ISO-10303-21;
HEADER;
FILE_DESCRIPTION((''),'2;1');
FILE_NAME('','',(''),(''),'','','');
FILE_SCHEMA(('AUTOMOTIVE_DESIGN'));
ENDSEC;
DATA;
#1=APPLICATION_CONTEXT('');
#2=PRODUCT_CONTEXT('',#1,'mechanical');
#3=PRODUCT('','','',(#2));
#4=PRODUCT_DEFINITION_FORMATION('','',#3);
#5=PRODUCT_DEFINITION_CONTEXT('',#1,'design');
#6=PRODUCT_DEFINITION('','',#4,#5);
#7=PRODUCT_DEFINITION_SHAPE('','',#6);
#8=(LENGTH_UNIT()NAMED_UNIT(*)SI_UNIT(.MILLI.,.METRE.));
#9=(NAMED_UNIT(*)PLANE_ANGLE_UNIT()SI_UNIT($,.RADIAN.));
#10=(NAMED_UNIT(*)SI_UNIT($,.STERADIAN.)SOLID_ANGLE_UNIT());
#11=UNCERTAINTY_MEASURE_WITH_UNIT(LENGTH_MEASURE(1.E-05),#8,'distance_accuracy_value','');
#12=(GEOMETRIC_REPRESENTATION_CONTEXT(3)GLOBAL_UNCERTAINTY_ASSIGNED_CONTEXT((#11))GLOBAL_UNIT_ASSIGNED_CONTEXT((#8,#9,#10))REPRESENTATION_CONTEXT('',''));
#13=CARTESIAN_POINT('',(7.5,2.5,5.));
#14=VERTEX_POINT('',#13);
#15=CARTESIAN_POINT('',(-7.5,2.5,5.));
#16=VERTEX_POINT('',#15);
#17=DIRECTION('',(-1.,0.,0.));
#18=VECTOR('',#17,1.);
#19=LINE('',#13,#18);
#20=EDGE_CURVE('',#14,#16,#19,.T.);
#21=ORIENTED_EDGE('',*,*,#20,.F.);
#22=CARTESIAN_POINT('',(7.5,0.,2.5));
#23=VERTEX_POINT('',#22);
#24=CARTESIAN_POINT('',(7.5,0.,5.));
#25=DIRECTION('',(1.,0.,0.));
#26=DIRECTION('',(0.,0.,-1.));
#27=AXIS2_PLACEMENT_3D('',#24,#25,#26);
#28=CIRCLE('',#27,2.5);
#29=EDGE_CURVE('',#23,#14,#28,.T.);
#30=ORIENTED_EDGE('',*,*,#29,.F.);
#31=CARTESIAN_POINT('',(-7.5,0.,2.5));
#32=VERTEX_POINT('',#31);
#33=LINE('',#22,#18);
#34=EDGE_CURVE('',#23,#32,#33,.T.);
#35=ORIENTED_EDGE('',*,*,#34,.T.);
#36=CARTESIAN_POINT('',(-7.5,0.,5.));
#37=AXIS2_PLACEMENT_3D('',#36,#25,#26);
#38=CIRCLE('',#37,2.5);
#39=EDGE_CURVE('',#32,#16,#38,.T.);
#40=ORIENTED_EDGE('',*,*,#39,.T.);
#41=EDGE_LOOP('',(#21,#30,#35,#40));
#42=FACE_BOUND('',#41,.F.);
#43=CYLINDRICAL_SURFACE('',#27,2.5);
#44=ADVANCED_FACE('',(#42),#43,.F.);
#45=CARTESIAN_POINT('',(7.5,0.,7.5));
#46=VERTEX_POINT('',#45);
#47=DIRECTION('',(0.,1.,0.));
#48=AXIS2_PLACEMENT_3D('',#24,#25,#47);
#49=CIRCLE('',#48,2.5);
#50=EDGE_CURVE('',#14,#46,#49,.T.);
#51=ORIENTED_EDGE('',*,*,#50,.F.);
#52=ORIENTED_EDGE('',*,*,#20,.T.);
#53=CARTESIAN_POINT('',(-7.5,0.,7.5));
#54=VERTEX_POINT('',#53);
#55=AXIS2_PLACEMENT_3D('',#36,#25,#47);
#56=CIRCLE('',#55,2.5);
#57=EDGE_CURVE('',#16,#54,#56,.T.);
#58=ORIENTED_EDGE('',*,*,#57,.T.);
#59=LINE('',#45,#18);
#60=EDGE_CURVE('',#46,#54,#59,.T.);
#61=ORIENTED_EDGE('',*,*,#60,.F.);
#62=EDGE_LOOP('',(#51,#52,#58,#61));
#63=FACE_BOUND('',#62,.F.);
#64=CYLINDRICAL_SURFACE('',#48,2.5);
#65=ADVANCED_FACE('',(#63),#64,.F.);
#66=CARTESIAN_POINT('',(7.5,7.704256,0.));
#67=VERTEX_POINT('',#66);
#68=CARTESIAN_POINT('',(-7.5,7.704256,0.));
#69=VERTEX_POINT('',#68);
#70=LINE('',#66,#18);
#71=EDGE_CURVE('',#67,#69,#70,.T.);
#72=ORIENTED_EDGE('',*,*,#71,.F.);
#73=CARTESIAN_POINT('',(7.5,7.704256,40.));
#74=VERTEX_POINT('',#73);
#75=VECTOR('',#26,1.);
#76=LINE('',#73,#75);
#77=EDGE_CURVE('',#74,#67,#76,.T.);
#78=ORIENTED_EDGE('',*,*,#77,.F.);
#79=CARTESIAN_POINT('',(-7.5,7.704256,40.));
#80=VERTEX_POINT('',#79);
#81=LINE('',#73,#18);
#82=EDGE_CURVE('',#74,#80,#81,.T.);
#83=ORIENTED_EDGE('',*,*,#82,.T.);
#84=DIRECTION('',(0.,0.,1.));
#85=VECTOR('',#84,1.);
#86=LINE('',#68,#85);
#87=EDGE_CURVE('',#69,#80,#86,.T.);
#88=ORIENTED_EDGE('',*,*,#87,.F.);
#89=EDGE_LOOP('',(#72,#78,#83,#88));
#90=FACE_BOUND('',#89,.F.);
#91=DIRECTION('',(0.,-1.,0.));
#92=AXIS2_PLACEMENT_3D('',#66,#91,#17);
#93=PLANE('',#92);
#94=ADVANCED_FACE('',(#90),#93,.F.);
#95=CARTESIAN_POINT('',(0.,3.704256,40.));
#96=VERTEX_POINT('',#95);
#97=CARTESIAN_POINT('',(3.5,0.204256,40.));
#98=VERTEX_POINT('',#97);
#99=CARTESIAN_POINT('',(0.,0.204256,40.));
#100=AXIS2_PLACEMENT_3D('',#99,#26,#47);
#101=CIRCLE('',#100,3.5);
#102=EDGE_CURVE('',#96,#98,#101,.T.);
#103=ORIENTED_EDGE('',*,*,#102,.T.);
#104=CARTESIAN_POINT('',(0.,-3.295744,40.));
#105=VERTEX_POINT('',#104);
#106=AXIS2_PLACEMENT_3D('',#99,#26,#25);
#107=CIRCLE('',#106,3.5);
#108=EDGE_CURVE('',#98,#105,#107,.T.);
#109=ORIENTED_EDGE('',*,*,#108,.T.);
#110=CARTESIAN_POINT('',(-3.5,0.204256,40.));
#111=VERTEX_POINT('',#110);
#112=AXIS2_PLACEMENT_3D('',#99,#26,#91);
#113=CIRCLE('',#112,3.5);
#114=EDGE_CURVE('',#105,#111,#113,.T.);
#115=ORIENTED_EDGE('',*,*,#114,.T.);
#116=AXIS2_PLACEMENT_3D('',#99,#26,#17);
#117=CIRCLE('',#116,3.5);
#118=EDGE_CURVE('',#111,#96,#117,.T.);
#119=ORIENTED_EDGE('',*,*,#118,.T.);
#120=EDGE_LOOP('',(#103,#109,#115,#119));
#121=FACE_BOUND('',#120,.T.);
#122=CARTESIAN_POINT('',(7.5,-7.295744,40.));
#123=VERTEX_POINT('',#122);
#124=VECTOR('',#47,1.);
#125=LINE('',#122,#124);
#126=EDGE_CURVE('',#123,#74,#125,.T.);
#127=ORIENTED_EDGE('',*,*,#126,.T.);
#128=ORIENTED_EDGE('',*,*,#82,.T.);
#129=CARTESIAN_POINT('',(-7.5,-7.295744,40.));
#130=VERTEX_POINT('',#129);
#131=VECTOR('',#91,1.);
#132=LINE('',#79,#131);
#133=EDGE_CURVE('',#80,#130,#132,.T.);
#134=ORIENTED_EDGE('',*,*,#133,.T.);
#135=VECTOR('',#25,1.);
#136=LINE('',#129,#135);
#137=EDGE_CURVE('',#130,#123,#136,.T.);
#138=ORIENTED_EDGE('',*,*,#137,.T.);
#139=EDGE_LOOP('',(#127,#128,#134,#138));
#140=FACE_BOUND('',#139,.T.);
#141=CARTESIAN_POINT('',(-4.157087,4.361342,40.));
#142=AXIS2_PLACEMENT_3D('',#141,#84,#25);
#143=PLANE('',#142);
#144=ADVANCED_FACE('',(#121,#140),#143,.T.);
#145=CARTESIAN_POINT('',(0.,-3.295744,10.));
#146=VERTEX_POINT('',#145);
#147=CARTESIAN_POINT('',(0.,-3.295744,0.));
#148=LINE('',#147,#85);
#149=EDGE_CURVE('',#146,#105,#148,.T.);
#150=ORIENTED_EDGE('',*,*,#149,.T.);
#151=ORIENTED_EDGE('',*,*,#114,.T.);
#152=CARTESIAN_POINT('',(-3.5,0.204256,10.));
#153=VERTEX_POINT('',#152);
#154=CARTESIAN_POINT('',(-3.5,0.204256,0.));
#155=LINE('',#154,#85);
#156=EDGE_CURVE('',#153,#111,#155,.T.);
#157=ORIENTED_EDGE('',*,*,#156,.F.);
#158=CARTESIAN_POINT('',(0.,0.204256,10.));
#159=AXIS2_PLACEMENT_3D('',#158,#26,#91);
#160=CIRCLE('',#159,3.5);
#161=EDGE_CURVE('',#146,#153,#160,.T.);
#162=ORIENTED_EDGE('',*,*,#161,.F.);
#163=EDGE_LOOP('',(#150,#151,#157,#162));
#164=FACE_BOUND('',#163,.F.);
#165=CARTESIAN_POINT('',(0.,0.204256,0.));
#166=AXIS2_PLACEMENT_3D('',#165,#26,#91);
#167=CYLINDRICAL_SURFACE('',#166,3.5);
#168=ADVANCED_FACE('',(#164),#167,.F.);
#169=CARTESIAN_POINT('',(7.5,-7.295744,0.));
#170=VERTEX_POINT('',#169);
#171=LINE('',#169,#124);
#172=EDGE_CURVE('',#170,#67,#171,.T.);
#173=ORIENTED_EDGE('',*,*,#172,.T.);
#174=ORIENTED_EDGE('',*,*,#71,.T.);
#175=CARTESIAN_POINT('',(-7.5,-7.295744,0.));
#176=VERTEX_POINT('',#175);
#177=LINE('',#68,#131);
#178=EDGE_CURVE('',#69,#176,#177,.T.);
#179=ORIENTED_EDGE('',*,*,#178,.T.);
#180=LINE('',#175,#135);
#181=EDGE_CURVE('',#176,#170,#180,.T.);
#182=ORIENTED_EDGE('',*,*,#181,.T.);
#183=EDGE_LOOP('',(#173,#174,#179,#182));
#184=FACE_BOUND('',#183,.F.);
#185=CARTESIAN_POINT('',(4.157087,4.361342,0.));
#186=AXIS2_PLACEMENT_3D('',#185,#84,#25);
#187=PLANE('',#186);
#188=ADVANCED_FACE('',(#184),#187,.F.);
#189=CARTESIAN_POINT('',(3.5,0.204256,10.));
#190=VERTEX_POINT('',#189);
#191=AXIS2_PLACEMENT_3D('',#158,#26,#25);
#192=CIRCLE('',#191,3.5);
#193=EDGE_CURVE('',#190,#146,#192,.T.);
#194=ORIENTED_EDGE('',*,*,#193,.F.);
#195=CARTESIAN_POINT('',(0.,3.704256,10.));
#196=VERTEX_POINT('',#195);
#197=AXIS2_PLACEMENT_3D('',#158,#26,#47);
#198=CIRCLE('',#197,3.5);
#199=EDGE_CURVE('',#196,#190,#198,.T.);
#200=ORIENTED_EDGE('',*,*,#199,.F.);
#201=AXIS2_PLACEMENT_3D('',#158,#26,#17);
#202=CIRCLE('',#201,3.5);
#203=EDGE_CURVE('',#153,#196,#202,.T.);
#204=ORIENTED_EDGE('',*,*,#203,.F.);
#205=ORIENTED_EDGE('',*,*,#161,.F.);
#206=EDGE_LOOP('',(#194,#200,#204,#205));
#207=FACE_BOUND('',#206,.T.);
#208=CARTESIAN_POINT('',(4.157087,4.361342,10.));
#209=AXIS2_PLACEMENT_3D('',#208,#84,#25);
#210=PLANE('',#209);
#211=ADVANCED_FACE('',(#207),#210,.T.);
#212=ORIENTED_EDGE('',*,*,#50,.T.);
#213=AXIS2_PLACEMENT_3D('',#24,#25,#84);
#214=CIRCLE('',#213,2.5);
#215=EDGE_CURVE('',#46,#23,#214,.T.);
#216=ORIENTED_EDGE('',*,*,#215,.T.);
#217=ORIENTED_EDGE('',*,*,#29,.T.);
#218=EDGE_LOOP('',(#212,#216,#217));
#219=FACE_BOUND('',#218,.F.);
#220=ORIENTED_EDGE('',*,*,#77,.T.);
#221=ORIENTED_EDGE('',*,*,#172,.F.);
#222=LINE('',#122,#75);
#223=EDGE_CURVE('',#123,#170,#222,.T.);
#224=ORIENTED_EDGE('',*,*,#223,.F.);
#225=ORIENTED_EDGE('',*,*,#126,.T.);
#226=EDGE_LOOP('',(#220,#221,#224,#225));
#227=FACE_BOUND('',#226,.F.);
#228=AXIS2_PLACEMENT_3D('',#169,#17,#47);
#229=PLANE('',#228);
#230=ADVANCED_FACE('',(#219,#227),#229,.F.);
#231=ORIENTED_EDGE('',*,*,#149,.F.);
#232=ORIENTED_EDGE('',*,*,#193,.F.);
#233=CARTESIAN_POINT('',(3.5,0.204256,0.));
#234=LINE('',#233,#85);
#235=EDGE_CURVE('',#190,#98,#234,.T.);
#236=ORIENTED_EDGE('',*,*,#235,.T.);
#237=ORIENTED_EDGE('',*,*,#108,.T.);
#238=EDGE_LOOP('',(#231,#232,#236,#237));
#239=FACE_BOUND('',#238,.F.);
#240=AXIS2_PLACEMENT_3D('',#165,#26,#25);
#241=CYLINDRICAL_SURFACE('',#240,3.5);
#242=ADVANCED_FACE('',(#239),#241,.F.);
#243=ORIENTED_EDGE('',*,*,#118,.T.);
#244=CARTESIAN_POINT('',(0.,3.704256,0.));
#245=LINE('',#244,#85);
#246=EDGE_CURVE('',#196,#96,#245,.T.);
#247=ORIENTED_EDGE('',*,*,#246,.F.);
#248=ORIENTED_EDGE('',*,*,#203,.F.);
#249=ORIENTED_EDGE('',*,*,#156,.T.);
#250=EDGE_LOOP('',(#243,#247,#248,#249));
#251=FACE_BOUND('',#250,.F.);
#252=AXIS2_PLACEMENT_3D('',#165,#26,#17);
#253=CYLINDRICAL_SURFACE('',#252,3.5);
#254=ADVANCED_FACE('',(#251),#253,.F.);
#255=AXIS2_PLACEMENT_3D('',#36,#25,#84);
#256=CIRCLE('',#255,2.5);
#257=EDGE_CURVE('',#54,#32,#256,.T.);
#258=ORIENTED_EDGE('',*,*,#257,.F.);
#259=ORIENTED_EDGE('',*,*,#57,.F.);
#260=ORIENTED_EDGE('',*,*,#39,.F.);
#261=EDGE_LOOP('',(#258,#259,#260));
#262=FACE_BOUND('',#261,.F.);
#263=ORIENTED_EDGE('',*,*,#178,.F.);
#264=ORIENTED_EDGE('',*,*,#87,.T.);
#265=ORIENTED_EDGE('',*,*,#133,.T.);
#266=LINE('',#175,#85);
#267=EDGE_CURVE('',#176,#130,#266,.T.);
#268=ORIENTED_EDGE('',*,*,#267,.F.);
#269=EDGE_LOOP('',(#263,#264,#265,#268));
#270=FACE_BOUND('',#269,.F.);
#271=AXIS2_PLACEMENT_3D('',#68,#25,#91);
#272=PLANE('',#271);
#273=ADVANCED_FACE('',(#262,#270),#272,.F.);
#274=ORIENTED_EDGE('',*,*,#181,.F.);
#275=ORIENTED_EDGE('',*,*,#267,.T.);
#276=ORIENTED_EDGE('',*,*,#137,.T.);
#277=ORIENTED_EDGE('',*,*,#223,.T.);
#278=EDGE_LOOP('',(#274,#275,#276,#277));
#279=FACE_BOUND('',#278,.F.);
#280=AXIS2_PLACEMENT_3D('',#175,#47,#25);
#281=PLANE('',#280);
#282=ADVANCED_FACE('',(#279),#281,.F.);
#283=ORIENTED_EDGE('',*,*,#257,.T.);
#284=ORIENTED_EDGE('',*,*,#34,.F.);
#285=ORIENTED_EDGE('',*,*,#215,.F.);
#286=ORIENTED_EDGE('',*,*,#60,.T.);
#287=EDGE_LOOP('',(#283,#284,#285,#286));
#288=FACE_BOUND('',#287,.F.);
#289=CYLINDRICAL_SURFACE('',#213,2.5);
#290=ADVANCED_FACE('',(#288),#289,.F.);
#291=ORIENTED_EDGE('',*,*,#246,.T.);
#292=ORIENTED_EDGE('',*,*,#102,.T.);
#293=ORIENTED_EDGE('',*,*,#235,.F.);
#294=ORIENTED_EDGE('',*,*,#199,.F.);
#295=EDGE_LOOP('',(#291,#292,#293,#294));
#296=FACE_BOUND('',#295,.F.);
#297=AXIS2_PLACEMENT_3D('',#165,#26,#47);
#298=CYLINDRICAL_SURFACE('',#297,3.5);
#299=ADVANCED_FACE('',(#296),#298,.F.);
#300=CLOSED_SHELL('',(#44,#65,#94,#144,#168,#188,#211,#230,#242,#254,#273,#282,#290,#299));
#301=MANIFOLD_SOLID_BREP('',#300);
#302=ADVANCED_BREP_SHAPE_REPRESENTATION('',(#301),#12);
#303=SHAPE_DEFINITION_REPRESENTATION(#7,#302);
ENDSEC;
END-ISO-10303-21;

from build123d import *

# Parameters (mm, degrees)
F1_DEPTH = 10
F2_DEPTH = 40
F4_DEPTH = 15


with BuildPart() as f1:
    # F0 (on Top) → F1 (new body)
    with BuildSketch(Plane.XY):
        with BuildLine():
            Line((7.5, 7.7042555064), (0, 7.7042555064))
            Line((0, 7.7042555064), (0, 3.7042555064))
            ThreePointArc((0, 3.7042555064), (2.4748737342, 2.6791292405), (3.5, 0.2042555064))
            Line((3.5, 0.2042555064), (7.5, 0.2042555064))
            Line((7.5, 0.2042555064), (7.5, 7.7042555064))
        make_face()
        with BuildLine():
            Line((0, 7.7042555064), (-7.5, 7.7042555064))
            Line((-7.5, 7.7042555064), (-7.5, 0.2042555064))
            Line((-7.5, 0.2042555064), (-3.5, 0.2042555064))
            ThreePointArc((-3.5, 0.2042555064), (-2.4748737342, 2.6791292405), (0, 3.7042555064))
            Line((0, 3.7042555064), (0, 7.7042555064))
        make_face()
        with BuildLine():
            Line((-3.5, 0.2042555064), (-7.5, 0.2042555064))
            Line((-7.5, 0.2042555064), (-7.5, -7.2957444936))
            Line((-7.5, -7.2957444936), (0, -7.2957444936))
            Line((0, -7.2957444936), (0, -3.2957444936))
            ThreePointArc((0, -3.2957444936), (-2.4748737342, -2.2706182278), (-3.5, 0.2042555064))
        make_face()
        with BuildLine():
            Line((7.5, -7.2957444936), (7.5, 0.2042555064))
            Line((7.5, 0.2042555064), (3.5, 0.2042555064))
            ThreePointArc((3.5, 0.2042555064), (2.4748737342, -2.2706182278), (0, -3.2957444936))
            Line((0, -3.2957444936), (0, -7.2957444936))
            Line((0, -7.2957444936), (7.5, -7.2957444936))
        make_face()
        with BuildLine():
            Line((0, 0.2042555064), (0, 3.7042555064))
            ThreePointArc((0, 3.7042555064), (-2.4748737342, 2.6791292405), (-3.5, 0.2042555064))
            Line((-3.5, 0.2042555064), (0, 0.2042555064))
        make_face()
        with BuildLine():
            ThreePointArc((3.5, 0.2042555064), (2.4748737342, 2.6791292405), (0, 3.7042555064))
            Line((0, 3.7042555064), (0, 0.2042555064))
            Line((0, 0.2042555064), (3.5, 0.2042555064))
        make_face()
        with BuildLine():
            Line((3.5, 0.2042555064), (0, 0.2042555064))
            Line((0, 0.2042555064), (0, -3.2957444936))
            ThreePointArc((0, -3.2957444936), (2.4748737342, -2.2706182278), (3.5, 0.2042555064))
        make_face()
        with BuildLine():
            Line((0, 0.2042555064), (-3.5, 0.2042555064))
            ThreePointArc((-3.5, 0.2042555064), (-2.4748737342, -2.2706182278), (0, -3.2957444936))
            Line((0, -3.2957444936), (0, 0.2042555064))
        make_face()
    extrude(amount=F1_DEPTH)

    # F0 (on Top) → F2 (join)
    with BuildSketch(Plane.XY):
        with BuildLine():
            Line((0, 7.7042555064), (-7.5, 7.7042555064))
            Line((-7.5, 7.7042555064), (-7.5, 0.2042555064))
            Line((-7.5, 0.2042555064), (-3.5, 0.2042555064))
            ThreePointArc((-3.5, 0.2042555064), (-2.4748737342, 2.6791292405), (0, 3.7042555064))
            Line((0, 3.7042555064), (0, 7.7042555064))
        make_face()
        with BuildLine():
            Line((7.5, 7.7042555064), (0, 7.7042555064))
            Line((0, 7.7042555064), (0, 3.7042555064))
            ThreePointArc((0, 3.7042555064), (2.4748737342, 2.6791292405), (3.5, 0.2042555064))
            Line((3.5, 0.2042555064), (7.5, 0.2042555064))
            Line((7.5, 0.2042555064), (7.5, 7.7042555064))
        make_face()
        with BuildLine():
            Line((-3.5, 0.2042555064), (-7.5, 0.2042555064))
            Line((-7.5, 0.2042555064), (-7.5, -7.2957444936))
            Line((-7.5, -7.2957444936), (0, -7.2957444936))
            Line((0, -7.2957444936), (0, -3.2957444936))
            ThreePointArc((0, -3.2957444936), (-2.4748737342, -2.2706182278), (-3.5, 0.2042555064))
        make_face()
        with BuildLine():
            Line((7.5, -7.2957444936), (7.5, 0.2042555064))
            Line((7.5, 0.2042555064), (3.5, 0.2042555064))
            ThreePointArc((3.5, 0.2042555064), (2.4748737342, -2.2706182278), (0, -3.2957444936))
            Line((0, -3.2957444936), (0, -7.2957444936))
            Line((0, -7.2957444936), (7.5, -7.2957444936))
        make_face()
    extrude(amount=F2_DEPTH)

    # F3 (on face) → F4 (cut)
    with BuildSketch(Plane.YZ.offset(7.5)):
        with BuildLine():
            ThreePointArc((0, 7.5), (-2.5, 5), (0, 2.5))
            Line((0, 2.5), (0, 5))
            Line((0, 5), (0, 7.5))
        make_face()
        with BuildLine():
            Line((0, 5), (0, 2.5))
            ThreePointArc((0, 2.5), (1.767766953, 3.232233047), (2.5, 5))
            ThreePointArc((2.5, 5), (1.767766953, 6.767766953), (0, 7.5))
            Line((0, 7.5), (0, 5))
        make_face()
    extrude(amount=-F4_DEPTH, mode=Mode.SUBTRACT)


solid = f1.part
